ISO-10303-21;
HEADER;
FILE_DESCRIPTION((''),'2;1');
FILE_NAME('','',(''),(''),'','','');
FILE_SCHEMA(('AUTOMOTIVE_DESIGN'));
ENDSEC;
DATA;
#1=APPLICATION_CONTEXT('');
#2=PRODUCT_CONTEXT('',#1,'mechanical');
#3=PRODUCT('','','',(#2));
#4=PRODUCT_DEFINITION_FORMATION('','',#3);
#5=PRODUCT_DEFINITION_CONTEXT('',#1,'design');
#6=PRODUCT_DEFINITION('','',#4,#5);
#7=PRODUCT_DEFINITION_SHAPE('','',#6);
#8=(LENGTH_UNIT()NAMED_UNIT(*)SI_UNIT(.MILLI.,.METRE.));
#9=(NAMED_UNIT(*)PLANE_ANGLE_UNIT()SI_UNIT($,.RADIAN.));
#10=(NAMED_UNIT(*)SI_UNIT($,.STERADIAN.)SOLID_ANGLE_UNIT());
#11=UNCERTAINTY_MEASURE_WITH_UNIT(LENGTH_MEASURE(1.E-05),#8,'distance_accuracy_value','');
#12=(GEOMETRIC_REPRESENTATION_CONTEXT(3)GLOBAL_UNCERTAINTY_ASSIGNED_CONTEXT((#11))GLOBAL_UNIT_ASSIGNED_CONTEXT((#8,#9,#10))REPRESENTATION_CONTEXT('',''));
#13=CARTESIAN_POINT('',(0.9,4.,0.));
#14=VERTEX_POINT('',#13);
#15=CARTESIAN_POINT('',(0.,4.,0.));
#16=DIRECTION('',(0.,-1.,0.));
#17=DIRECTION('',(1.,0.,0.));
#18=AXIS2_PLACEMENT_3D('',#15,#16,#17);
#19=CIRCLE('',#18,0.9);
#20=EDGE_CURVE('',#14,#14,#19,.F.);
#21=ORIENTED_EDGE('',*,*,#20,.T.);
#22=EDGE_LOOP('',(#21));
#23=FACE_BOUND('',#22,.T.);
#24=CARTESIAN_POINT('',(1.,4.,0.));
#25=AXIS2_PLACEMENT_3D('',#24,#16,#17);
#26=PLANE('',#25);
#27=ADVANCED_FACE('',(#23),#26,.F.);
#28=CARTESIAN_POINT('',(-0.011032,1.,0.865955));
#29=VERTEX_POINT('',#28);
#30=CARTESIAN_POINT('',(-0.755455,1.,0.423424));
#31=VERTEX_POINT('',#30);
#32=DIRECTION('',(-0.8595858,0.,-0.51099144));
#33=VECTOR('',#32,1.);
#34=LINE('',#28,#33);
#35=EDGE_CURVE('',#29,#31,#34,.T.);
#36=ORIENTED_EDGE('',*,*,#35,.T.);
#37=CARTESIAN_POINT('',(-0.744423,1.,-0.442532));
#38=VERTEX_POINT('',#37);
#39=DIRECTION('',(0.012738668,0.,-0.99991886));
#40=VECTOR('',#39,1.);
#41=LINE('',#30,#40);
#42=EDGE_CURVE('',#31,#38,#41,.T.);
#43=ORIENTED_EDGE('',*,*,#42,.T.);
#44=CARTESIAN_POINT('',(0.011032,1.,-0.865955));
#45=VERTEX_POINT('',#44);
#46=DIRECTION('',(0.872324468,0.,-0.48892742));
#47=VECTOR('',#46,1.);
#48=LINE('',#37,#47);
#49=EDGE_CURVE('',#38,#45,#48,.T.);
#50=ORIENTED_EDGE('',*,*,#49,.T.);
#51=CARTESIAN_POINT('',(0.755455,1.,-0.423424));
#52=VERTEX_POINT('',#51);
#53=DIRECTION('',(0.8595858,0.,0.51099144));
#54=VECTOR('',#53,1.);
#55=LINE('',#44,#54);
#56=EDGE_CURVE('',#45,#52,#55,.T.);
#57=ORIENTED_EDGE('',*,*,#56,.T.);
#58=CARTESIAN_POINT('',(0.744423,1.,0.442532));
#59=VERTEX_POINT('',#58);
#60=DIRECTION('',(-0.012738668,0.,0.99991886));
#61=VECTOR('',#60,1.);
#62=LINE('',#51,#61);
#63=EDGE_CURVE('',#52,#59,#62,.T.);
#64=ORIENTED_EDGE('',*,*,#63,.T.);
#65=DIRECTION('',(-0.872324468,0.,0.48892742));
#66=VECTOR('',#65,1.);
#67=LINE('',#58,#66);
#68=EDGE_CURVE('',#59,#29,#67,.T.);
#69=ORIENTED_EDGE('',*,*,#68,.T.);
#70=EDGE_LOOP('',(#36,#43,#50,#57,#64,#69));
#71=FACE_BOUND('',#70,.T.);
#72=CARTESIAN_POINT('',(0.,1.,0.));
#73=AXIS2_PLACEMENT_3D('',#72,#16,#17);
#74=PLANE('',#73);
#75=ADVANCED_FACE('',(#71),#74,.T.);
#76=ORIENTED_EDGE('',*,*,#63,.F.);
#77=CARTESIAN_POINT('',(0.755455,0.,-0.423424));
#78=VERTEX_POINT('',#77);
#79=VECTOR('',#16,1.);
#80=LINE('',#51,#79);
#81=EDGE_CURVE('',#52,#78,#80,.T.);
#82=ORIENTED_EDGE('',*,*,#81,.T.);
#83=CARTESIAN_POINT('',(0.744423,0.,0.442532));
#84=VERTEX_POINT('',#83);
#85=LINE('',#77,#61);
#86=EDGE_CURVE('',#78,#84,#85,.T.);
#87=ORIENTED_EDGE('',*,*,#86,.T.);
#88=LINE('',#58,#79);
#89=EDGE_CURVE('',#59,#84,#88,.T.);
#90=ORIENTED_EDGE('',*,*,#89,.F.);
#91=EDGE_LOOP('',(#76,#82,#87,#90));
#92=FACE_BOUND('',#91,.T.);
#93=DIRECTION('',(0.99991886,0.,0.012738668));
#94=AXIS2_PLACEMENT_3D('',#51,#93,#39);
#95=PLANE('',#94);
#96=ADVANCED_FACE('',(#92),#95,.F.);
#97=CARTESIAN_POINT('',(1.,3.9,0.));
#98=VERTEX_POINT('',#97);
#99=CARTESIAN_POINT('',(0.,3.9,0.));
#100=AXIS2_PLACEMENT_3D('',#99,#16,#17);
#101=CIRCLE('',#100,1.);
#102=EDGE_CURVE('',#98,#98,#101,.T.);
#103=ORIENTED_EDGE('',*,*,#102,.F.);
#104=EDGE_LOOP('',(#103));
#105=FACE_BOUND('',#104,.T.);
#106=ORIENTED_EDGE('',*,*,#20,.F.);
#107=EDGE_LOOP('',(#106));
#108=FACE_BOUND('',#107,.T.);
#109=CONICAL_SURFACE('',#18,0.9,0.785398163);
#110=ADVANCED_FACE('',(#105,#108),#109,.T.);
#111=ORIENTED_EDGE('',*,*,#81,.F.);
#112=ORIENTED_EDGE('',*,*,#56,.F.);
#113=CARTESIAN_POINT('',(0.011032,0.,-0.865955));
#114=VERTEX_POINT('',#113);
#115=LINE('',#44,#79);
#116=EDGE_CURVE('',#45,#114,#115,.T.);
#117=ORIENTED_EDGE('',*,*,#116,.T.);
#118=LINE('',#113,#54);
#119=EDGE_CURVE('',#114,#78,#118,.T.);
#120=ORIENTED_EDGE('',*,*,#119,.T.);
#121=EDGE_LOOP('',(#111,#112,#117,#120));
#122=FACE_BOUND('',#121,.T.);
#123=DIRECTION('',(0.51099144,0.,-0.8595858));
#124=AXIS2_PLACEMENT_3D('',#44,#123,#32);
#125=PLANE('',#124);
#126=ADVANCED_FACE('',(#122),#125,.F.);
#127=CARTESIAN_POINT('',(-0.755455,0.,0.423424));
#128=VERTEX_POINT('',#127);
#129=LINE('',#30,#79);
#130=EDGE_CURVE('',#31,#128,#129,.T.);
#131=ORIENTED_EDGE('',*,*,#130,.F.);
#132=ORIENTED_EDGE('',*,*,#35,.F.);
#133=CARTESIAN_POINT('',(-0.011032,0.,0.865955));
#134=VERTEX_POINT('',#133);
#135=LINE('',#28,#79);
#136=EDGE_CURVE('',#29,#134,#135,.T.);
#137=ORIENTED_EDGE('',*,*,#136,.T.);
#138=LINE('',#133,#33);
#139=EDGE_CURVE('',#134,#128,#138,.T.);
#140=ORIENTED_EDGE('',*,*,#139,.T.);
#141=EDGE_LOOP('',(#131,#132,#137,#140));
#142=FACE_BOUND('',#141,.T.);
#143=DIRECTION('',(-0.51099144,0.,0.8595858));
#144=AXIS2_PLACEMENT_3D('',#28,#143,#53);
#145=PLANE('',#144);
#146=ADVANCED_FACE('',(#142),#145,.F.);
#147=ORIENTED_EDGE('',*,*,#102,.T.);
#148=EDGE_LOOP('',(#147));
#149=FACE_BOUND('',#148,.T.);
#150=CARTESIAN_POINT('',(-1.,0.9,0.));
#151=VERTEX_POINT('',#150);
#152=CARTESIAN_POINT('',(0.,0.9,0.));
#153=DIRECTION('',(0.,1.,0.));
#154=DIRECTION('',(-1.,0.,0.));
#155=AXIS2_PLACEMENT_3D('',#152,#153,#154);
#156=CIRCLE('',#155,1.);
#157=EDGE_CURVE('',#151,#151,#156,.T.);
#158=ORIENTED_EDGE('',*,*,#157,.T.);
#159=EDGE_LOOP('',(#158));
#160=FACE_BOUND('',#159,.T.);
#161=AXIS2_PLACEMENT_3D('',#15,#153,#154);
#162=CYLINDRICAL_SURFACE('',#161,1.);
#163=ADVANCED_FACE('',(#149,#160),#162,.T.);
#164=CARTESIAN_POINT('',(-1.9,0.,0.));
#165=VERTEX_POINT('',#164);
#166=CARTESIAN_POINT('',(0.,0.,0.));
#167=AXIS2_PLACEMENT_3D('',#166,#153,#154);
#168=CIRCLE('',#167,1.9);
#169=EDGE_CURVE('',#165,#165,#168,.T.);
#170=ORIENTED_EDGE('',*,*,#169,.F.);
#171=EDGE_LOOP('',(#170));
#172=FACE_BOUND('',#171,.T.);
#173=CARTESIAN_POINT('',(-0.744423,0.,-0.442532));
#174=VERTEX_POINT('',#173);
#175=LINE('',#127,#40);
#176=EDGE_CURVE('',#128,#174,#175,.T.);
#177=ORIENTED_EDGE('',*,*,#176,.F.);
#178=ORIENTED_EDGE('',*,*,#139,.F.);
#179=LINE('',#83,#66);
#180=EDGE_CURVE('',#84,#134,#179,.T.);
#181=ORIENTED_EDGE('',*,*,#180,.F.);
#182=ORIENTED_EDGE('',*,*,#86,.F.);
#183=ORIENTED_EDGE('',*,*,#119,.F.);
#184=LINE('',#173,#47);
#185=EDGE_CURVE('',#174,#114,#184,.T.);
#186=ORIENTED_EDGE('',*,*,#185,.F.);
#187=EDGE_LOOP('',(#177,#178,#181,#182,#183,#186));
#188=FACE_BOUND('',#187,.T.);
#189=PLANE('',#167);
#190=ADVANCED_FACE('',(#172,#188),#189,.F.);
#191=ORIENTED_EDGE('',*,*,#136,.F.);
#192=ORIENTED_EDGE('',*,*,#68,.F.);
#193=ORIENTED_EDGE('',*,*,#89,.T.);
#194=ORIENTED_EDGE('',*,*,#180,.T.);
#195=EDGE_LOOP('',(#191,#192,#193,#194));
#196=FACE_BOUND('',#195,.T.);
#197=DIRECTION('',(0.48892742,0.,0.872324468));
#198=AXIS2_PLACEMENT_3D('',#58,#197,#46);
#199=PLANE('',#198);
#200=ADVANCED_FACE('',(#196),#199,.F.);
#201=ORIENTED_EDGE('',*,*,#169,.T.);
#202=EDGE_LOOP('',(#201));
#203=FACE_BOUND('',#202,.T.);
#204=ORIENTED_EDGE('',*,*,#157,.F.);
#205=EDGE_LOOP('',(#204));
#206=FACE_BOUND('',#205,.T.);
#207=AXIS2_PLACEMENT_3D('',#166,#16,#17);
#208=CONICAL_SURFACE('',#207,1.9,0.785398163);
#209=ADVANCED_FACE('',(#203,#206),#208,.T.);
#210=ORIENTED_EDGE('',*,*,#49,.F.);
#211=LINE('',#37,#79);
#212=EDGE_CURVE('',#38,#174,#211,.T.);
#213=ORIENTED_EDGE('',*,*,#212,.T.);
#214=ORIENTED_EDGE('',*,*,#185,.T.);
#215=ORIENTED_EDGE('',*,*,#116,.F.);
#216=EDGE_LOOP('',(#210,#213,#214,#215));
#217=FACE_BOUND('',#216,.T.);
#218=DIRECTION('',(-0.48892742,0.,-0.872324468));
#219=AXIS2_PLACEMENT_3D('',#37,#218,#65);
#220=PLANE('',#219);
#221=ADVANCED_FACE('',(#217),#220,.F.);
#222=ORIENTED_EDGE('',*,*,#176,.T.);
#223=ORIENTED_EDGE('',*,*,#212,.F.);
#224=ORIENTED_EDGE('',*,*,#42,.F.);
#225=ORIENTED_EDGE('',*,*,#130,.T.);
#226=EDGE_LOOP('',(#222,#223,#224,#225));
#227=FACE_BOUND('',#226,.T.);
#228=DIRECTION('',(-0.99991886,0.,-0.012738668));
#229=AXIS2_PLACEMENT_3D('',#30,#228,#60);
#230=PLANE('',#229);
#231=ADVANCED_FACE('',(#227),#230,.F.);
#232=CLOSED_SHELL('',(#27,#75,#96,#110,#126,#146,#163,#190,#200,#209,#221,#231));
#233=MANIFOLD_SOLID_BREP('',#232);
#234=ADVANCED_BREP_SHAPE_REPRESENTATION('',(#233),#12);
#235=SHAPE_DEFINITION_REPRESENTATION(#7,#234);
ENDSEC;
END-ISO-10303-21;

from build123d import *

# Parameters (mm, degrees)
SCHNITT_LINEAR_AUSTRAGEN1_DEPTH = 1
FASE1_SIZE                      = 0.1


with BuildPart() as part:
    # Skizze1 → Rotation1 (revolve)
    with BuildSketch(Plane.XY):
        Polygon((0, 0), (1.9, 0), (1, 0.9), (1, 4), (0, 4), align=None)
    revolve(axis=Axis((0, 4, 0), (0, -1, 0)))

    # Skizze2 → Schnitt-Linear austragen1 (cut)
    with BuildSketch(Plane.XZ):
        Polygon((0.75545515, -0.423423566), (0.74442314, 0.442531568), (-0.01103201, 0.865955134), (-0.75545515, 0.423423566), (-0.74442314, -0.442531568), (0.01103201, -0.865955134), align=None)
    extrude(amount=-SCHNITT_LINEAR_AUSTRAGEN1_DEPTH, mode=Mode.SUBTRACT)

    # Fase1
    fase1_edges = [part.edges().sort_by_distance(p)[0] for p in [
        (-1, 4, 0),
    ]]
    chamfer(fase1_edges, length=FASE1_SIZE)


solid = part.part
